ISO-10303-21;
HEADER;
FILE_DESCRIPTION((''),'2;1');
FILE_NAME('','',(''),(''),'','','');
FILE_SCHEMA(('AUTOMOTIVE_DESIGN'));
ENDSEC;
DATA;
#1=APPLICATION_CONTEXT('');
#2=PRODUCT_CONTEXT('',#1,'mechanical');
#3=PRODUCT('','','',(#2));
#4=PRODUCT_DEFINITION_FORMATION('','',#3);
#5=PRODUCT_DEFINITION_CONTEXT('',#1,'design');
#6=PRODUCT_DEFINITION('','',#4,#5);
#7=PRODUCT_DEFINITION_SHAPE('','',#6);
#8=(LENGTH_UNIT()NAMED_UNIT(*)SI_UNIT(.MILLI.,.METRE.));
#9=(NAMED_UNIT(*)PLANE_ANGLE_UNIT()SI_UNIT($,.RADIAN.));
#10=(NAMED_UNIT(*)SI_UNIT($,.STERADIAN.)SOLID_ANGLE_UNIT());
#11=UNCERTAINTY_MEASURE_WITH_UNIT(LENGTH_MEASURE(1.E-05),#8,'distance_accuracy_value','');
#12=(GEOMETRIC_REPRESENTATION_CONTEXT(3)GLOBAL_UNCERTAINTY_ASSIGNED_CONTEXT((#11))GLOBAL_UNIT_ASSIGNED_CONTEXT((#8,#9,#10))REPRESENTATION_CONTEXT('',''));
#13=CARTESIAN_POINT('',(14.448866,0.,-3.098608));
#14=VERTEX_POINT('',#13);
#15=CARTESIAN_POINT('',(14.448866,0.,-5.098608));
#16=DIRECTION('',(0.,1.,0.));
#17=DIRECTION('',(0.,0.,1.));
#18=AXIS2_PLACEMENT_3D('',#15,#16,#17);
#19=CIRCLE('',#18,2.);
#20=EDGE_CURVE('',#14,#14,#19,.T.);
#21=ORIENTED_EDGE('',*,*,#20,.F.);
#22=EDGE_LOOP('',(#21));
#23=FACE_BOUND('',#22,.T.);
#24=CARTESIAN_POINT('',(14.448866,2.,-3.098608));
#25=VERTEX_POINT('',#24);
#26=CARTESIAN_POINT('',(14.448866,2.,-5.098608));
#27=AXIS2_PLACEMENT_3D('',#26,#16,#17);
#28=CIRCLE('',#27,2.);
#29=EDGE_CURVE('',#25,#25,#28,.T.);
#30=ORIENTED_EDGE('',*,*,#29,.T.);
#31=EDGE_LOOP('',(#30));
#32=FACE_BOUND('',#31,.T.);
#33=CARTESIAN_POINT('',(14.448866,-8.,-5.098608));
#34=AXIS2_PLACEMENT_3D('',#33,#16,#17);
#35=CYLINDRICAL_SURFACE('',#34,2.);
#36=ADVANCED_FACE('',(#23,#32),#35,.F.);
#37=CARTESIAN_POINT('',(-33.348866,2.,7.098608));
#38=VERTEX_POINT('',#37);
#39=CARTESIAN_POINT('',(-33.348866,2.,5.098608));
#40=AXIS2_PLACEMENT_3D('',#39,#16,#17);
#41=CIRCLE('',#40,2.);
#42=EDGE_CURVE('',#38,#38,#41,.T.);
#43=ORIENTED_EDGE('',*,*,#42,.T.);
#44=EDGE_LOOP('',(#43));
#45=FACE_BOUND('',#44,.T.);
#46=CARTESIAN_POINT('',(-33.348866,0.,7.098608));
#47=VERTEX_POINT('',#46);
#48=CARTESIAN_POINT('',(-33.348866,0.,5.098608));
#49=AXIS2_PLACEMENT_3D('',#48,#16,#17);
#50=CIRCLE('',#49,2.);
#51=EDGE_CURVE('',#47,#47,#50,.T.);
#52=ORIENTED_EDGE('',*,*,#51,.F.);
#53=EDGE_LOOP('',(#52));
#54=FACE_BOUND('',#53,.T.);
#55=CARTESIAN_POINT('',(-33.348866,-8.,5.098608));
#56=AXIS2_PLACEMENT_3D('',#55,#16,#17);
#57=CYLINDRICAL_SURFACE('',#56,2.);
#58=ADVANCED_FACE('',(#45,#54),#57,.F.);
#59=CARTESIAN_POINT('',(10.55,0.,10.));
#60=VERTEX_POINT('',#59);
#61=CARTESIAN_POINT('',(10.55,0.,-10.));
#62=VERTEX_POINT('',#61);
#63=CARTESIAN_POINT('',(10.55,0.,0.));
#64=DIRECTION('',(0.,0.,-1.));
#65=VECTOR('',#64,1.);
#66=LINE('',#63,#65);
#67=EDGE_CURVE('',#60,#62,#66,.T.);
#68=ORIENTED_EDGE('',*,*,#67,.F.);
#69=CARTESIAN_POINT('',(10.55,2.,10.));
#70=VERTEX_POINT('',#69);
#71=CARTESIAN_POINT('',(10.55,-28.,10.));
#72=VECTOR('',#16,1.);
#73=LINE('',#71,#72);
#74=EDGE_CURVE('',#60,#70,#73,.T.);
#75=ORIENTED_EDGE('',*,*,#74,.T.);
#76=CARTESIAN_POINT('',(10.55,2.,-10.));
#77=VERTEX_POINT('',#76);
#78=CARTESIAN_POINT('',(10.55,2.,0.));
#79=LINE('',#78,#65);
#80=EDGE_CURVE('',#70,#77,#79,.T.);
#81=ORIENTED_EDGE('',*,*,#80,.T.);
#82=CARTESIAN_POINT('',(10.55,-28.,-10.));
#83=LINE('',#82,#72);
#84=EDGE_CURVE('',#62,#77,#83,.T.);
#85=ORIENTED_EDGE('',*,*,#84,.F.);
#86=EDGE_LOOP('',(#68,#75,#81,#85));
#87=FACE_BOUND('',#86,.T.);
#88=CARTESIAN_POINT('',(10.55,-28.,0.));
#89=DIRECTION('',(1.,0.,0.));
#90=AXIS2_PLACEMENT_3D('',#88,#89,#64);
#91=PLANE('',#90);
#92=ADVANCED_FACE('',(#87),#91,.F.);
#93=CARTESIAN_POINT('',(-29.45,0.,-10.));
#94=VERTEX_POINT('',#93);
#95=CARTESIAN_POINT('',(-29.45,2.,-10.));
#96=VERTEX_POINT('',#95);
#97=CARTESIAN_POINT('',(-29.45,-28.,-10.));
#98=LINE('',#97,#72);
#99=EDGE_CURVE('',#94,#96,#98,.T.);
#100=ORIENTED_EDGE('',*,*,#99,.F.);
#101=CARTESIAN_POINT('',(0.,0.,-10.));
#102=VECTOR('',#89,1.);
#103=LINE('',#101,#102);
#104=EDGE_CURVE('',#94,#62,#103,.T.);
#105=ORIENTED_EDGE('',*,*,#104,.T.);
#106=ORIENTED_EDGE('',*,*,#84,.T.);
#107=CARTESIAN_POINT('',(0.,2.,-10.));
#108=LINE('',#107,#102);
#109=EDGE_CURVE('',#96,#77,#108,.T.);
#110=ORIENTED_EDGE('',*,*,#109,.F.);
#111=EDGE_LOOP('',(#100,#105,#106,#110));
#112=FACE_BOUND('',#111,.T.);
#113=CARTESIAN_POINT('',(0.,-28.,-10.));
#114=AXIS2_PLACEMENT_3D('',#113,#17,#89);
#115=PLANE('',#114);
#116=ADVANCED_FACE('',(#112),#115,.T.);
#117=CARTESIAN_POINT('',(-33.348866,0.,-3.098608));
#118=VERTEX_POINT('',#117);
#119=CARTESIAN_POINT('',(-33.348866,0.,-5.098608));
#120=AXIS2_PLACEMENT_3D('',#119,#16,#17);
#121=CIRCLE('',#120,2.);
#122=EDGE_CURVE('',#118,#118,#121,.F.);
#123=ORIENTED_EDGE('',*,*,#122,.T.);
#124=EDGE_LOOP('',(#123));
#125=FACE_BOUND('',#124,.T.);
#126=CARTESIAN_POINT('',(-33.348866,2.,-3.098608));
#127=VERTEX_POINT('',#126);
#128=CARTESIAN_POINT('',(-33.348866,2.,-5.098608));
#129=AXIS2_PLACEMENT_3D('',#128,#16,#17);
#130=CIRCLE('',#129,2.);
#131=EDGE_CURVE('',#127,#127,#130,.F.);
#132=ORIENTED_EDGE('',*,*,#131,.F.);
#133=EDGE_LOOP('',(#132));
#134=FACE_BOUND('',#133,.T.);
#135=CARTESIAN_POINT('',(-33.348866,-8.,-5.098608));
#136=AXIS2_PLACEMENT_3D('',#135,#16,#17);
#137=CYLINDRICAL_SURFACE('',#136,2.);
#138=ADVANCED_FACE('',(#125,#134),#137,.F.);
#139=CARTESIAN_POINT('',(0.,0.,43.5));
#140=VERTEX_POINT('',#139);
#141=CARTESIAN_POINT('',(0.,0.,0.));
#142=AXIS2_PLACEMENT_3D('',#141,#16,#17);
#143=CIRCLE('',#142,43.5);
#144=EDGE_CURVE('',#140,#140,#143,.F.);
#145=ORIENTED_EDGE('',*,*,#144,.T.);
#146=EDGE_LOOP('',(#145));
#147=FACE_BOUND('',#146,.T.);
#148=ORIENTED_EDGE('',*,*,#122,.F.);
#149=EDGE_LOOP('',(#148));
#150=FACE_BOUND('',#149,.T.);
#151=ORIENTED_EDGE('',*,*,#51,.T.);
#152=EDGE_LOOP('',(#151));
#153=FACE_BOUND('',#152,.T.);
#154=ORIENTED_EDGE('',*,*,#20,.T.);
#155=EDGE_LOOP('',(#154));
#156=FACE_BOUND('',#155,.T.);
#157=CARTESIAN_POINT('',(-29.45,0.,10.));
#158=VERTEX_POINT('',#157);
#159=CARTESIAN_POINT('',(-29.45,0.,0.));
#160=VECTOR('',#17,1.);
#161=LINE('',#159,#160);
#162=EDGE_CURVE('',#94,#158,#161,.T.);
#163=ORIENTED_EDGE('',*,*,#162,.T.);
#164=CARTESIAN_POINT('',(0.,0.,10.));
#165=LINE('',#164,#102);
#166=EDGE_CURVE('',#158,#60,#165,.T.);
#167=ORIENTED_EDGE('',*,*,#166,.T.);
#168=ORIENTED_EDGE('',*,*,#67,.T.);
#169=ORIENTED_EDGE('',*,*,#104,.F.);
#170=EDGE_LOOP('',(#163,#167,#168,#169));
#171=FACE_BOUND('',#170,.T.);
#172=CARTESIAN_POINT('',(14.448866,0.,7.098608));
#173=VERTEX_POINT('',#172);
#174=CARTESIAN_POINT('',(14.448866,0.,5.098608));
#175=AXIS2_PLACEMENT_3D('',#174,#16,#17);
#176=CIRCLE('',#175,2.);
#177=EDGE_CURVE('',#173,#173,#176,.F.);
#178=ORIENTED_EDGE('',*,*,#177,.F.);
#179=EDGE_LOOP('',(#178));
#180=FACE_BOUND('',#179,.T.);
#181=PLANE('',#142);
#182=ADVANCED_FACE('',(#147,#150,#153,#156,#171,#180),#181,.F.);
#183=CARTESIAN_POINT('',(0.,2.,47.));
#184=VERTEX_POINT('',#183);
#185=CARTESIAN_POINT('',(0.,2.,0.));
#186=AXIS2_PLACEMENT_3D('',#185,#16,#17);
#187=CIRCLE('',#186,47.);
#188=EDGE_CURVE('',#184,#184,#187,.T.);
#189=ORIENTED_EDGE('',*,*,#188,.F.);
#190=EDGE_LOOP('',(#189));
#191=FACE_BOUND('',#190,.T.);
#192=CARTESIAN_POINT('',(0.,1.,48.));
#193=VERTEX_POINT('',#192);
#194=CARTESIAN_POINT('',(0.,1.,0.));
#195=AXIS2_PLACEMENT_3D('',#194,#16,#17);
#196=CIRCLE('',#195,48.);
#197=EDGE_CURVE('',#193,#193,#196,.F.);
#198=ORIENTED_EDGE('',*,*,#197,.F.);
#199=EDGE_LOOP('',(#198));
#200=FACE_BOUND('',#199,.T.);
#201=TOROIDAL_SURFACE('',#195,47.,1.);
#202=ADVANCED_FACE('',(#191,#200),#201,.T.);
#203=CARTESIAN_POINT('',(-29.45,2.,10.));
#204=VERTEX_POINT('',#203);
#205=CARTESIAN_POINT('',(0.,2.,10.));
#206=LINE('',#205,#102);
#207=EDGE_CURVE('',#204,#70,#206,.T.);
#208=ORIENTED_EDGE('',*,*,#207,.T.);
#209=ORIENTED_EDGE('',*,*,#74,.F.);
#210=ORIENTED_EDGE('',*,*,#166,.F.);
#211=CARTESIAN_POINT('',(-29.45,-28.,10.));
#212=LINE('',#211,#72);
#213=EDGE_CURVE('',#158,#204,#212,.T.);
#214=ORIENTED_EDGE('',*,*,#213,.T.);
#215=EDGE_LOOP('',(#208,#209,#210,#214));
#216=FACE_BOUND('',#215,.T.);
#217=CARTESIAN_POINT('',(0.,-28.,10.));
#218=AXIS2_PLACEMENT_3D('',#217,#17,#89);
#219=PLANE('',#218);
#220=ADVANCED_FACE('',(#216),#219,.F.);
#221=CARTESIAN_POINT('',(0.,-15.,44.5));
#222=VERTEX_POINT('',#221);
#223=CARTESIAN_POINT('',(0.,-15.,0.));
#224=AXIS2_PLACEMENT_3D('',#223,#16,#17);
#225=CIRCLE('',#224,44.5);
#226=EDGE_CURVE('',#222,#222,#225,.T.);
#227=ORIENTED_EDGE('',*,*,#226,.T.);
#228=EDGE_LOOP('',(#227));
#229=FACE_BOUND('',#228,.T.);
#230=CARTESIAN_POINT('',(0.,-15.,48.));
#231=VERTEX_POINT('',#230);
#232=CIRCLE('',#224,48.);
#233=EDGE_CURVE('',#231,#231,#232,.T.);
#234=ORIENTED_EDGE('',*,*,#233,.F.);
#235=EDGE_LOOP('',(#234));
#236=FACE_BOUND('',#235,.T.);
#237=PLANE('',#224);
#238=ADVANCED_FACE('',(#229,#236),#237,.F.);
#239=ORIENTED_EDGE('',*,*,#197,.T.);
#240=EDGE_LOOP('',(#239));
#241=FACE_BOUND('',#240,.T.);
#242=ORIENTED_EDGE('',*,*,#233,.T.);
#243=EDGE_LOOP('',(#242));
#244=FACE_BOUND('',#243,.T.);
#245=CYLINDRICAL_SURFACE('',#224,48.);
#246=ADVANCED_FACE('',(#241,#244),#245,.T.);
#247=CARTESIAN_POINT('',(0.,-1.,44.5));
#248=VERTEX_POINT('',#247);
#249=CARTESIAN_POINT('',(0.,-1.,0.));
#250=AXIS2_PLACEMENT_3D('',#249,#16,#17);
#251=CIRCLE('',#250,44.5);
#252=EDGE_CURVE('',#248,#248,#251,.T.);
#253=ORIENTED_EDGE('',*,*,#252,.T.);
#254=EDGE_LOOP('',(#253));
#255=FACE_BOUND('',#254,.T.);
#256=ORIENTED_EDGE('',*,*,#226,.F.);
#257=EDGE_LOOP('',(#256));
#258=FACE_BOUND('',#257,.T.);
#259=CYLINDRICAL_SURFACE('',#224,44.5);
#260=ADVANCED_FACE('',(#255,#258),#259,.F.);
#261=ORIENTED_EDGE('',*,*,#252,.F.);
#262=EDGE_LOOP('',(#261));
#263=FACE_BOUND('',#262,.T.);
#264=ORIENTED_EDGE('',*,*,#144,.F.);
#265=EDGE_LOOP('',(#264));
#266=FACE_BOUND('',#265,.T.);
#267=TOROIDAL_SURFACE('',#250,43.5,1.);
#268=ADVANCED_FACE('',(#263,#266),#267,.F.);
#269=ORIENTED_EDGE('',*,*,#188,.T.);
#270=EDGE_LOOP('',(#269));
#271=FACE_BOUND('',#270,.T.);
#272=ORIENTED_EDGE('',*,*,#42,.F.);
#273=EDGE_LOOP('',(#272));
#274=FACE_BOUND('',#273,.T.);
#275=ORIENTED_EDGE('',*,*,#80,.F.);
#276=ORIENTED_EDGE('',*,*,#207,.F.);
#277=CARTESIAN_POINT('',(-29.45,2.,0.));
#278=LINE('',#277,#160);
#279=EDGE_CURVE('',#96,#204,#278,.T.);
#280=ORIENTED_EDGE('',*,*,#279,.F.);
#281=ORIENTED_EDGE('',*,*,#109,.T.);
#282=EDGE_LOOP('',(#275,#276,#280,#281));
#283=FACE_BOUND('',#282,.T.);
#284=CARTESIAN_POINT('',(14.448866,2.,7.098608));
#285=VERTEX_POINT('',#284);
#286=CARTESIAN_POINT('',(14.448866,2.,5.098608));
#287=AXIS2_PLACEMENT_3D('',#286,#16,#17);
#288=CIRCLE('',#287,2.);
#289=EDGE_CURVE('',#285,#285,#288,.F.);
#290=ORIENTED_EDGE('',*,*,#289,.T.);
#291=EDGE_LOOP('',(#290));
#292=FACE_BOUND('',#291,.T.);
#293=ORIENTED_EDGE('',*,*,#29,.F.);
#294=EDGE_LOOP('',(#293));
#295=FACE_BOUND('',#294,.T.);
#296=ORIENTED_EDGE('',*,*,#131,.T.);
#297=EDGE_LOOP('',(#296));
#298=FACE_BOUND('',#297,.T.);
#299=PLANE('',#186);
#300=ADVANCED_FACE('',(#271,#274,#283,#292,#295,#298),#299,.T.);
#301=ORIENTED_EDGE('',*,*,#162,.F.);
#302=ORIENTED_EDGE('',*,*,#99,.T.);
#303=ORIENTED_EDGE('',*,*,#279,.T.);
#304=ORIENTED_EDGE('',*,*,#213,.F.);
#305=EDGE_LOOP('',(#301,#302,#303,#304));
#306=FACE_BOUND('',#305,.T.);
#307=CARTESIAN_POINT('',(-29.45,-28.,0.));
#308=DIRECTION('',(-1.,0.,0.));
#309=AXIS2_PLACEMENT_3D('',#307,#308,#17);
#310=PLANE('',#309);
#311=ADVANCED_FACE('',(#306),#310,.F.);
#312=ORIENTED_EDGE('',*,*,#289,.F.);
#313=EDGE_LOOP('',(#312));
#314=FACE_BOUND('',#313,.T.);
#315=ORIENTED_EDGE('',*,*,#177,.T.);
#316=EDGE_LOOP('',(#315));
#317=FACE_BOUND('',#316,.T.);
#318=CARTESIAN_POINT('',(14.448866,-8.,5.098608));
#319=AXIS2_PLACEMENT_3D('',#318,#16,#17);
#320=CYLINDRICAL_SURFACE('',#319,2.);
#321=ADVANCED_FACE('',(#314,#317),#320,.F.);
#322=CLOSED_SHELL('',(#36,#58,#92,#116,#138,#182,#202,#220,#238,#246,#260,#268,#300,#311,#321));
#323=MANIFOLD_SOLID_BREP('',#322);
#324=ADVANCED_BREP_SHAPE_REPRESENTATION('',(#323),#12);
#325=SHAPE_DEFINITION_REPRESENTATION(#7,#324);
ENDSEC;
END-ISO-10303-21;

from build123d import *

# Parameters (mm, degrees)
SKETCH1_R           = 48
SKETCH1_R_2         = 44.5
BOSS_EXTRUDE3_DEPTH = 15
BOSS_EXTRUDE4_START = 2
SKETCH1_5_R         = 48
BOSS_EXTRUDE4_DEPTH = 2
FILLET1_R           = 1
CUT_EXTRUDE1_DEPTH  = 30
SKETCH4_R           = 2
CUT_EXTRUDE2_DEPTH  = 10


with BuildPart() as part:
    # Sketch1 → Boss-Extrude3 (new body)
    with BuildSketch(Plane(origin=(0, 0, 0), x_dir=(1, 0, 0), z_dir=(0, 1, 0))):
        Circle(SKETCH1_R)
        Circle(SKETCH1_R_2, mode=Mode.SUBTRACT)
    extrude(amount=-BOSS_EXTRUDE3_DEPTH)

    # Sketch1<5> → Boss-Extrude4 (add)
    with BuildSketch(Plane(origin=(0, 0, 0), x_dir=(1, 0, 0), z_dir=(0, 1, 0)).offset(BOSS_EXTRUDE4_START)):
        Circle(SKETCH1_5_R)
    extrude(amount=-BOSS_EXTRUDE4_DEPTH)

    # Fillet1
    fillet1_edges = [part.edges().sort_by_distance(p)[0] for p in [
        (-44.5, 0, 0),
        (-48, 2, 0),
    ]]
    fillet(fillet1_edges, radius=FILLET1_R)

    # Sketch3 → Cut-Extrude1 (cut)
    with BuildSketch(Plane(origin=(0, 2, 0), x_dir=(1, 0, 0), z_dir=(0, 1, 0))):
        Polygon((-29.45, 10), (-29.45, 0), (-29.45, -10), (10.55, -10), (10.55, 10), align=None)
    extrude(amount=-CUT_EXTRUDE1_DEPTH, mode=Mode.SUBTRACT)

    # Sketch4 → Cut-Extrude2 (cut)
    with BuildSketch(Plane(origin=(0, 2, 0), x_dir=(1, 0, 0), z_dir=(0, 1, 0))):
        with Locations((-33.34886579, -5.09860841)):
            Circle(SKETCH4_R)
        with Locations((14.44886579, -5.09860841)):
            Circle(SKETCH4_R)
        with Locations((14.44886579, 5.09860841)):
            Circle(SKETCH4_R)
        with Locations((-33.34886579, 5.09860841)):
            Circle(SKETCH4_R)
    extrude(amount=-CUT_EXTRUDE2_DEPTH, mode=Mode.SUBTRACT)


solid = part.part
